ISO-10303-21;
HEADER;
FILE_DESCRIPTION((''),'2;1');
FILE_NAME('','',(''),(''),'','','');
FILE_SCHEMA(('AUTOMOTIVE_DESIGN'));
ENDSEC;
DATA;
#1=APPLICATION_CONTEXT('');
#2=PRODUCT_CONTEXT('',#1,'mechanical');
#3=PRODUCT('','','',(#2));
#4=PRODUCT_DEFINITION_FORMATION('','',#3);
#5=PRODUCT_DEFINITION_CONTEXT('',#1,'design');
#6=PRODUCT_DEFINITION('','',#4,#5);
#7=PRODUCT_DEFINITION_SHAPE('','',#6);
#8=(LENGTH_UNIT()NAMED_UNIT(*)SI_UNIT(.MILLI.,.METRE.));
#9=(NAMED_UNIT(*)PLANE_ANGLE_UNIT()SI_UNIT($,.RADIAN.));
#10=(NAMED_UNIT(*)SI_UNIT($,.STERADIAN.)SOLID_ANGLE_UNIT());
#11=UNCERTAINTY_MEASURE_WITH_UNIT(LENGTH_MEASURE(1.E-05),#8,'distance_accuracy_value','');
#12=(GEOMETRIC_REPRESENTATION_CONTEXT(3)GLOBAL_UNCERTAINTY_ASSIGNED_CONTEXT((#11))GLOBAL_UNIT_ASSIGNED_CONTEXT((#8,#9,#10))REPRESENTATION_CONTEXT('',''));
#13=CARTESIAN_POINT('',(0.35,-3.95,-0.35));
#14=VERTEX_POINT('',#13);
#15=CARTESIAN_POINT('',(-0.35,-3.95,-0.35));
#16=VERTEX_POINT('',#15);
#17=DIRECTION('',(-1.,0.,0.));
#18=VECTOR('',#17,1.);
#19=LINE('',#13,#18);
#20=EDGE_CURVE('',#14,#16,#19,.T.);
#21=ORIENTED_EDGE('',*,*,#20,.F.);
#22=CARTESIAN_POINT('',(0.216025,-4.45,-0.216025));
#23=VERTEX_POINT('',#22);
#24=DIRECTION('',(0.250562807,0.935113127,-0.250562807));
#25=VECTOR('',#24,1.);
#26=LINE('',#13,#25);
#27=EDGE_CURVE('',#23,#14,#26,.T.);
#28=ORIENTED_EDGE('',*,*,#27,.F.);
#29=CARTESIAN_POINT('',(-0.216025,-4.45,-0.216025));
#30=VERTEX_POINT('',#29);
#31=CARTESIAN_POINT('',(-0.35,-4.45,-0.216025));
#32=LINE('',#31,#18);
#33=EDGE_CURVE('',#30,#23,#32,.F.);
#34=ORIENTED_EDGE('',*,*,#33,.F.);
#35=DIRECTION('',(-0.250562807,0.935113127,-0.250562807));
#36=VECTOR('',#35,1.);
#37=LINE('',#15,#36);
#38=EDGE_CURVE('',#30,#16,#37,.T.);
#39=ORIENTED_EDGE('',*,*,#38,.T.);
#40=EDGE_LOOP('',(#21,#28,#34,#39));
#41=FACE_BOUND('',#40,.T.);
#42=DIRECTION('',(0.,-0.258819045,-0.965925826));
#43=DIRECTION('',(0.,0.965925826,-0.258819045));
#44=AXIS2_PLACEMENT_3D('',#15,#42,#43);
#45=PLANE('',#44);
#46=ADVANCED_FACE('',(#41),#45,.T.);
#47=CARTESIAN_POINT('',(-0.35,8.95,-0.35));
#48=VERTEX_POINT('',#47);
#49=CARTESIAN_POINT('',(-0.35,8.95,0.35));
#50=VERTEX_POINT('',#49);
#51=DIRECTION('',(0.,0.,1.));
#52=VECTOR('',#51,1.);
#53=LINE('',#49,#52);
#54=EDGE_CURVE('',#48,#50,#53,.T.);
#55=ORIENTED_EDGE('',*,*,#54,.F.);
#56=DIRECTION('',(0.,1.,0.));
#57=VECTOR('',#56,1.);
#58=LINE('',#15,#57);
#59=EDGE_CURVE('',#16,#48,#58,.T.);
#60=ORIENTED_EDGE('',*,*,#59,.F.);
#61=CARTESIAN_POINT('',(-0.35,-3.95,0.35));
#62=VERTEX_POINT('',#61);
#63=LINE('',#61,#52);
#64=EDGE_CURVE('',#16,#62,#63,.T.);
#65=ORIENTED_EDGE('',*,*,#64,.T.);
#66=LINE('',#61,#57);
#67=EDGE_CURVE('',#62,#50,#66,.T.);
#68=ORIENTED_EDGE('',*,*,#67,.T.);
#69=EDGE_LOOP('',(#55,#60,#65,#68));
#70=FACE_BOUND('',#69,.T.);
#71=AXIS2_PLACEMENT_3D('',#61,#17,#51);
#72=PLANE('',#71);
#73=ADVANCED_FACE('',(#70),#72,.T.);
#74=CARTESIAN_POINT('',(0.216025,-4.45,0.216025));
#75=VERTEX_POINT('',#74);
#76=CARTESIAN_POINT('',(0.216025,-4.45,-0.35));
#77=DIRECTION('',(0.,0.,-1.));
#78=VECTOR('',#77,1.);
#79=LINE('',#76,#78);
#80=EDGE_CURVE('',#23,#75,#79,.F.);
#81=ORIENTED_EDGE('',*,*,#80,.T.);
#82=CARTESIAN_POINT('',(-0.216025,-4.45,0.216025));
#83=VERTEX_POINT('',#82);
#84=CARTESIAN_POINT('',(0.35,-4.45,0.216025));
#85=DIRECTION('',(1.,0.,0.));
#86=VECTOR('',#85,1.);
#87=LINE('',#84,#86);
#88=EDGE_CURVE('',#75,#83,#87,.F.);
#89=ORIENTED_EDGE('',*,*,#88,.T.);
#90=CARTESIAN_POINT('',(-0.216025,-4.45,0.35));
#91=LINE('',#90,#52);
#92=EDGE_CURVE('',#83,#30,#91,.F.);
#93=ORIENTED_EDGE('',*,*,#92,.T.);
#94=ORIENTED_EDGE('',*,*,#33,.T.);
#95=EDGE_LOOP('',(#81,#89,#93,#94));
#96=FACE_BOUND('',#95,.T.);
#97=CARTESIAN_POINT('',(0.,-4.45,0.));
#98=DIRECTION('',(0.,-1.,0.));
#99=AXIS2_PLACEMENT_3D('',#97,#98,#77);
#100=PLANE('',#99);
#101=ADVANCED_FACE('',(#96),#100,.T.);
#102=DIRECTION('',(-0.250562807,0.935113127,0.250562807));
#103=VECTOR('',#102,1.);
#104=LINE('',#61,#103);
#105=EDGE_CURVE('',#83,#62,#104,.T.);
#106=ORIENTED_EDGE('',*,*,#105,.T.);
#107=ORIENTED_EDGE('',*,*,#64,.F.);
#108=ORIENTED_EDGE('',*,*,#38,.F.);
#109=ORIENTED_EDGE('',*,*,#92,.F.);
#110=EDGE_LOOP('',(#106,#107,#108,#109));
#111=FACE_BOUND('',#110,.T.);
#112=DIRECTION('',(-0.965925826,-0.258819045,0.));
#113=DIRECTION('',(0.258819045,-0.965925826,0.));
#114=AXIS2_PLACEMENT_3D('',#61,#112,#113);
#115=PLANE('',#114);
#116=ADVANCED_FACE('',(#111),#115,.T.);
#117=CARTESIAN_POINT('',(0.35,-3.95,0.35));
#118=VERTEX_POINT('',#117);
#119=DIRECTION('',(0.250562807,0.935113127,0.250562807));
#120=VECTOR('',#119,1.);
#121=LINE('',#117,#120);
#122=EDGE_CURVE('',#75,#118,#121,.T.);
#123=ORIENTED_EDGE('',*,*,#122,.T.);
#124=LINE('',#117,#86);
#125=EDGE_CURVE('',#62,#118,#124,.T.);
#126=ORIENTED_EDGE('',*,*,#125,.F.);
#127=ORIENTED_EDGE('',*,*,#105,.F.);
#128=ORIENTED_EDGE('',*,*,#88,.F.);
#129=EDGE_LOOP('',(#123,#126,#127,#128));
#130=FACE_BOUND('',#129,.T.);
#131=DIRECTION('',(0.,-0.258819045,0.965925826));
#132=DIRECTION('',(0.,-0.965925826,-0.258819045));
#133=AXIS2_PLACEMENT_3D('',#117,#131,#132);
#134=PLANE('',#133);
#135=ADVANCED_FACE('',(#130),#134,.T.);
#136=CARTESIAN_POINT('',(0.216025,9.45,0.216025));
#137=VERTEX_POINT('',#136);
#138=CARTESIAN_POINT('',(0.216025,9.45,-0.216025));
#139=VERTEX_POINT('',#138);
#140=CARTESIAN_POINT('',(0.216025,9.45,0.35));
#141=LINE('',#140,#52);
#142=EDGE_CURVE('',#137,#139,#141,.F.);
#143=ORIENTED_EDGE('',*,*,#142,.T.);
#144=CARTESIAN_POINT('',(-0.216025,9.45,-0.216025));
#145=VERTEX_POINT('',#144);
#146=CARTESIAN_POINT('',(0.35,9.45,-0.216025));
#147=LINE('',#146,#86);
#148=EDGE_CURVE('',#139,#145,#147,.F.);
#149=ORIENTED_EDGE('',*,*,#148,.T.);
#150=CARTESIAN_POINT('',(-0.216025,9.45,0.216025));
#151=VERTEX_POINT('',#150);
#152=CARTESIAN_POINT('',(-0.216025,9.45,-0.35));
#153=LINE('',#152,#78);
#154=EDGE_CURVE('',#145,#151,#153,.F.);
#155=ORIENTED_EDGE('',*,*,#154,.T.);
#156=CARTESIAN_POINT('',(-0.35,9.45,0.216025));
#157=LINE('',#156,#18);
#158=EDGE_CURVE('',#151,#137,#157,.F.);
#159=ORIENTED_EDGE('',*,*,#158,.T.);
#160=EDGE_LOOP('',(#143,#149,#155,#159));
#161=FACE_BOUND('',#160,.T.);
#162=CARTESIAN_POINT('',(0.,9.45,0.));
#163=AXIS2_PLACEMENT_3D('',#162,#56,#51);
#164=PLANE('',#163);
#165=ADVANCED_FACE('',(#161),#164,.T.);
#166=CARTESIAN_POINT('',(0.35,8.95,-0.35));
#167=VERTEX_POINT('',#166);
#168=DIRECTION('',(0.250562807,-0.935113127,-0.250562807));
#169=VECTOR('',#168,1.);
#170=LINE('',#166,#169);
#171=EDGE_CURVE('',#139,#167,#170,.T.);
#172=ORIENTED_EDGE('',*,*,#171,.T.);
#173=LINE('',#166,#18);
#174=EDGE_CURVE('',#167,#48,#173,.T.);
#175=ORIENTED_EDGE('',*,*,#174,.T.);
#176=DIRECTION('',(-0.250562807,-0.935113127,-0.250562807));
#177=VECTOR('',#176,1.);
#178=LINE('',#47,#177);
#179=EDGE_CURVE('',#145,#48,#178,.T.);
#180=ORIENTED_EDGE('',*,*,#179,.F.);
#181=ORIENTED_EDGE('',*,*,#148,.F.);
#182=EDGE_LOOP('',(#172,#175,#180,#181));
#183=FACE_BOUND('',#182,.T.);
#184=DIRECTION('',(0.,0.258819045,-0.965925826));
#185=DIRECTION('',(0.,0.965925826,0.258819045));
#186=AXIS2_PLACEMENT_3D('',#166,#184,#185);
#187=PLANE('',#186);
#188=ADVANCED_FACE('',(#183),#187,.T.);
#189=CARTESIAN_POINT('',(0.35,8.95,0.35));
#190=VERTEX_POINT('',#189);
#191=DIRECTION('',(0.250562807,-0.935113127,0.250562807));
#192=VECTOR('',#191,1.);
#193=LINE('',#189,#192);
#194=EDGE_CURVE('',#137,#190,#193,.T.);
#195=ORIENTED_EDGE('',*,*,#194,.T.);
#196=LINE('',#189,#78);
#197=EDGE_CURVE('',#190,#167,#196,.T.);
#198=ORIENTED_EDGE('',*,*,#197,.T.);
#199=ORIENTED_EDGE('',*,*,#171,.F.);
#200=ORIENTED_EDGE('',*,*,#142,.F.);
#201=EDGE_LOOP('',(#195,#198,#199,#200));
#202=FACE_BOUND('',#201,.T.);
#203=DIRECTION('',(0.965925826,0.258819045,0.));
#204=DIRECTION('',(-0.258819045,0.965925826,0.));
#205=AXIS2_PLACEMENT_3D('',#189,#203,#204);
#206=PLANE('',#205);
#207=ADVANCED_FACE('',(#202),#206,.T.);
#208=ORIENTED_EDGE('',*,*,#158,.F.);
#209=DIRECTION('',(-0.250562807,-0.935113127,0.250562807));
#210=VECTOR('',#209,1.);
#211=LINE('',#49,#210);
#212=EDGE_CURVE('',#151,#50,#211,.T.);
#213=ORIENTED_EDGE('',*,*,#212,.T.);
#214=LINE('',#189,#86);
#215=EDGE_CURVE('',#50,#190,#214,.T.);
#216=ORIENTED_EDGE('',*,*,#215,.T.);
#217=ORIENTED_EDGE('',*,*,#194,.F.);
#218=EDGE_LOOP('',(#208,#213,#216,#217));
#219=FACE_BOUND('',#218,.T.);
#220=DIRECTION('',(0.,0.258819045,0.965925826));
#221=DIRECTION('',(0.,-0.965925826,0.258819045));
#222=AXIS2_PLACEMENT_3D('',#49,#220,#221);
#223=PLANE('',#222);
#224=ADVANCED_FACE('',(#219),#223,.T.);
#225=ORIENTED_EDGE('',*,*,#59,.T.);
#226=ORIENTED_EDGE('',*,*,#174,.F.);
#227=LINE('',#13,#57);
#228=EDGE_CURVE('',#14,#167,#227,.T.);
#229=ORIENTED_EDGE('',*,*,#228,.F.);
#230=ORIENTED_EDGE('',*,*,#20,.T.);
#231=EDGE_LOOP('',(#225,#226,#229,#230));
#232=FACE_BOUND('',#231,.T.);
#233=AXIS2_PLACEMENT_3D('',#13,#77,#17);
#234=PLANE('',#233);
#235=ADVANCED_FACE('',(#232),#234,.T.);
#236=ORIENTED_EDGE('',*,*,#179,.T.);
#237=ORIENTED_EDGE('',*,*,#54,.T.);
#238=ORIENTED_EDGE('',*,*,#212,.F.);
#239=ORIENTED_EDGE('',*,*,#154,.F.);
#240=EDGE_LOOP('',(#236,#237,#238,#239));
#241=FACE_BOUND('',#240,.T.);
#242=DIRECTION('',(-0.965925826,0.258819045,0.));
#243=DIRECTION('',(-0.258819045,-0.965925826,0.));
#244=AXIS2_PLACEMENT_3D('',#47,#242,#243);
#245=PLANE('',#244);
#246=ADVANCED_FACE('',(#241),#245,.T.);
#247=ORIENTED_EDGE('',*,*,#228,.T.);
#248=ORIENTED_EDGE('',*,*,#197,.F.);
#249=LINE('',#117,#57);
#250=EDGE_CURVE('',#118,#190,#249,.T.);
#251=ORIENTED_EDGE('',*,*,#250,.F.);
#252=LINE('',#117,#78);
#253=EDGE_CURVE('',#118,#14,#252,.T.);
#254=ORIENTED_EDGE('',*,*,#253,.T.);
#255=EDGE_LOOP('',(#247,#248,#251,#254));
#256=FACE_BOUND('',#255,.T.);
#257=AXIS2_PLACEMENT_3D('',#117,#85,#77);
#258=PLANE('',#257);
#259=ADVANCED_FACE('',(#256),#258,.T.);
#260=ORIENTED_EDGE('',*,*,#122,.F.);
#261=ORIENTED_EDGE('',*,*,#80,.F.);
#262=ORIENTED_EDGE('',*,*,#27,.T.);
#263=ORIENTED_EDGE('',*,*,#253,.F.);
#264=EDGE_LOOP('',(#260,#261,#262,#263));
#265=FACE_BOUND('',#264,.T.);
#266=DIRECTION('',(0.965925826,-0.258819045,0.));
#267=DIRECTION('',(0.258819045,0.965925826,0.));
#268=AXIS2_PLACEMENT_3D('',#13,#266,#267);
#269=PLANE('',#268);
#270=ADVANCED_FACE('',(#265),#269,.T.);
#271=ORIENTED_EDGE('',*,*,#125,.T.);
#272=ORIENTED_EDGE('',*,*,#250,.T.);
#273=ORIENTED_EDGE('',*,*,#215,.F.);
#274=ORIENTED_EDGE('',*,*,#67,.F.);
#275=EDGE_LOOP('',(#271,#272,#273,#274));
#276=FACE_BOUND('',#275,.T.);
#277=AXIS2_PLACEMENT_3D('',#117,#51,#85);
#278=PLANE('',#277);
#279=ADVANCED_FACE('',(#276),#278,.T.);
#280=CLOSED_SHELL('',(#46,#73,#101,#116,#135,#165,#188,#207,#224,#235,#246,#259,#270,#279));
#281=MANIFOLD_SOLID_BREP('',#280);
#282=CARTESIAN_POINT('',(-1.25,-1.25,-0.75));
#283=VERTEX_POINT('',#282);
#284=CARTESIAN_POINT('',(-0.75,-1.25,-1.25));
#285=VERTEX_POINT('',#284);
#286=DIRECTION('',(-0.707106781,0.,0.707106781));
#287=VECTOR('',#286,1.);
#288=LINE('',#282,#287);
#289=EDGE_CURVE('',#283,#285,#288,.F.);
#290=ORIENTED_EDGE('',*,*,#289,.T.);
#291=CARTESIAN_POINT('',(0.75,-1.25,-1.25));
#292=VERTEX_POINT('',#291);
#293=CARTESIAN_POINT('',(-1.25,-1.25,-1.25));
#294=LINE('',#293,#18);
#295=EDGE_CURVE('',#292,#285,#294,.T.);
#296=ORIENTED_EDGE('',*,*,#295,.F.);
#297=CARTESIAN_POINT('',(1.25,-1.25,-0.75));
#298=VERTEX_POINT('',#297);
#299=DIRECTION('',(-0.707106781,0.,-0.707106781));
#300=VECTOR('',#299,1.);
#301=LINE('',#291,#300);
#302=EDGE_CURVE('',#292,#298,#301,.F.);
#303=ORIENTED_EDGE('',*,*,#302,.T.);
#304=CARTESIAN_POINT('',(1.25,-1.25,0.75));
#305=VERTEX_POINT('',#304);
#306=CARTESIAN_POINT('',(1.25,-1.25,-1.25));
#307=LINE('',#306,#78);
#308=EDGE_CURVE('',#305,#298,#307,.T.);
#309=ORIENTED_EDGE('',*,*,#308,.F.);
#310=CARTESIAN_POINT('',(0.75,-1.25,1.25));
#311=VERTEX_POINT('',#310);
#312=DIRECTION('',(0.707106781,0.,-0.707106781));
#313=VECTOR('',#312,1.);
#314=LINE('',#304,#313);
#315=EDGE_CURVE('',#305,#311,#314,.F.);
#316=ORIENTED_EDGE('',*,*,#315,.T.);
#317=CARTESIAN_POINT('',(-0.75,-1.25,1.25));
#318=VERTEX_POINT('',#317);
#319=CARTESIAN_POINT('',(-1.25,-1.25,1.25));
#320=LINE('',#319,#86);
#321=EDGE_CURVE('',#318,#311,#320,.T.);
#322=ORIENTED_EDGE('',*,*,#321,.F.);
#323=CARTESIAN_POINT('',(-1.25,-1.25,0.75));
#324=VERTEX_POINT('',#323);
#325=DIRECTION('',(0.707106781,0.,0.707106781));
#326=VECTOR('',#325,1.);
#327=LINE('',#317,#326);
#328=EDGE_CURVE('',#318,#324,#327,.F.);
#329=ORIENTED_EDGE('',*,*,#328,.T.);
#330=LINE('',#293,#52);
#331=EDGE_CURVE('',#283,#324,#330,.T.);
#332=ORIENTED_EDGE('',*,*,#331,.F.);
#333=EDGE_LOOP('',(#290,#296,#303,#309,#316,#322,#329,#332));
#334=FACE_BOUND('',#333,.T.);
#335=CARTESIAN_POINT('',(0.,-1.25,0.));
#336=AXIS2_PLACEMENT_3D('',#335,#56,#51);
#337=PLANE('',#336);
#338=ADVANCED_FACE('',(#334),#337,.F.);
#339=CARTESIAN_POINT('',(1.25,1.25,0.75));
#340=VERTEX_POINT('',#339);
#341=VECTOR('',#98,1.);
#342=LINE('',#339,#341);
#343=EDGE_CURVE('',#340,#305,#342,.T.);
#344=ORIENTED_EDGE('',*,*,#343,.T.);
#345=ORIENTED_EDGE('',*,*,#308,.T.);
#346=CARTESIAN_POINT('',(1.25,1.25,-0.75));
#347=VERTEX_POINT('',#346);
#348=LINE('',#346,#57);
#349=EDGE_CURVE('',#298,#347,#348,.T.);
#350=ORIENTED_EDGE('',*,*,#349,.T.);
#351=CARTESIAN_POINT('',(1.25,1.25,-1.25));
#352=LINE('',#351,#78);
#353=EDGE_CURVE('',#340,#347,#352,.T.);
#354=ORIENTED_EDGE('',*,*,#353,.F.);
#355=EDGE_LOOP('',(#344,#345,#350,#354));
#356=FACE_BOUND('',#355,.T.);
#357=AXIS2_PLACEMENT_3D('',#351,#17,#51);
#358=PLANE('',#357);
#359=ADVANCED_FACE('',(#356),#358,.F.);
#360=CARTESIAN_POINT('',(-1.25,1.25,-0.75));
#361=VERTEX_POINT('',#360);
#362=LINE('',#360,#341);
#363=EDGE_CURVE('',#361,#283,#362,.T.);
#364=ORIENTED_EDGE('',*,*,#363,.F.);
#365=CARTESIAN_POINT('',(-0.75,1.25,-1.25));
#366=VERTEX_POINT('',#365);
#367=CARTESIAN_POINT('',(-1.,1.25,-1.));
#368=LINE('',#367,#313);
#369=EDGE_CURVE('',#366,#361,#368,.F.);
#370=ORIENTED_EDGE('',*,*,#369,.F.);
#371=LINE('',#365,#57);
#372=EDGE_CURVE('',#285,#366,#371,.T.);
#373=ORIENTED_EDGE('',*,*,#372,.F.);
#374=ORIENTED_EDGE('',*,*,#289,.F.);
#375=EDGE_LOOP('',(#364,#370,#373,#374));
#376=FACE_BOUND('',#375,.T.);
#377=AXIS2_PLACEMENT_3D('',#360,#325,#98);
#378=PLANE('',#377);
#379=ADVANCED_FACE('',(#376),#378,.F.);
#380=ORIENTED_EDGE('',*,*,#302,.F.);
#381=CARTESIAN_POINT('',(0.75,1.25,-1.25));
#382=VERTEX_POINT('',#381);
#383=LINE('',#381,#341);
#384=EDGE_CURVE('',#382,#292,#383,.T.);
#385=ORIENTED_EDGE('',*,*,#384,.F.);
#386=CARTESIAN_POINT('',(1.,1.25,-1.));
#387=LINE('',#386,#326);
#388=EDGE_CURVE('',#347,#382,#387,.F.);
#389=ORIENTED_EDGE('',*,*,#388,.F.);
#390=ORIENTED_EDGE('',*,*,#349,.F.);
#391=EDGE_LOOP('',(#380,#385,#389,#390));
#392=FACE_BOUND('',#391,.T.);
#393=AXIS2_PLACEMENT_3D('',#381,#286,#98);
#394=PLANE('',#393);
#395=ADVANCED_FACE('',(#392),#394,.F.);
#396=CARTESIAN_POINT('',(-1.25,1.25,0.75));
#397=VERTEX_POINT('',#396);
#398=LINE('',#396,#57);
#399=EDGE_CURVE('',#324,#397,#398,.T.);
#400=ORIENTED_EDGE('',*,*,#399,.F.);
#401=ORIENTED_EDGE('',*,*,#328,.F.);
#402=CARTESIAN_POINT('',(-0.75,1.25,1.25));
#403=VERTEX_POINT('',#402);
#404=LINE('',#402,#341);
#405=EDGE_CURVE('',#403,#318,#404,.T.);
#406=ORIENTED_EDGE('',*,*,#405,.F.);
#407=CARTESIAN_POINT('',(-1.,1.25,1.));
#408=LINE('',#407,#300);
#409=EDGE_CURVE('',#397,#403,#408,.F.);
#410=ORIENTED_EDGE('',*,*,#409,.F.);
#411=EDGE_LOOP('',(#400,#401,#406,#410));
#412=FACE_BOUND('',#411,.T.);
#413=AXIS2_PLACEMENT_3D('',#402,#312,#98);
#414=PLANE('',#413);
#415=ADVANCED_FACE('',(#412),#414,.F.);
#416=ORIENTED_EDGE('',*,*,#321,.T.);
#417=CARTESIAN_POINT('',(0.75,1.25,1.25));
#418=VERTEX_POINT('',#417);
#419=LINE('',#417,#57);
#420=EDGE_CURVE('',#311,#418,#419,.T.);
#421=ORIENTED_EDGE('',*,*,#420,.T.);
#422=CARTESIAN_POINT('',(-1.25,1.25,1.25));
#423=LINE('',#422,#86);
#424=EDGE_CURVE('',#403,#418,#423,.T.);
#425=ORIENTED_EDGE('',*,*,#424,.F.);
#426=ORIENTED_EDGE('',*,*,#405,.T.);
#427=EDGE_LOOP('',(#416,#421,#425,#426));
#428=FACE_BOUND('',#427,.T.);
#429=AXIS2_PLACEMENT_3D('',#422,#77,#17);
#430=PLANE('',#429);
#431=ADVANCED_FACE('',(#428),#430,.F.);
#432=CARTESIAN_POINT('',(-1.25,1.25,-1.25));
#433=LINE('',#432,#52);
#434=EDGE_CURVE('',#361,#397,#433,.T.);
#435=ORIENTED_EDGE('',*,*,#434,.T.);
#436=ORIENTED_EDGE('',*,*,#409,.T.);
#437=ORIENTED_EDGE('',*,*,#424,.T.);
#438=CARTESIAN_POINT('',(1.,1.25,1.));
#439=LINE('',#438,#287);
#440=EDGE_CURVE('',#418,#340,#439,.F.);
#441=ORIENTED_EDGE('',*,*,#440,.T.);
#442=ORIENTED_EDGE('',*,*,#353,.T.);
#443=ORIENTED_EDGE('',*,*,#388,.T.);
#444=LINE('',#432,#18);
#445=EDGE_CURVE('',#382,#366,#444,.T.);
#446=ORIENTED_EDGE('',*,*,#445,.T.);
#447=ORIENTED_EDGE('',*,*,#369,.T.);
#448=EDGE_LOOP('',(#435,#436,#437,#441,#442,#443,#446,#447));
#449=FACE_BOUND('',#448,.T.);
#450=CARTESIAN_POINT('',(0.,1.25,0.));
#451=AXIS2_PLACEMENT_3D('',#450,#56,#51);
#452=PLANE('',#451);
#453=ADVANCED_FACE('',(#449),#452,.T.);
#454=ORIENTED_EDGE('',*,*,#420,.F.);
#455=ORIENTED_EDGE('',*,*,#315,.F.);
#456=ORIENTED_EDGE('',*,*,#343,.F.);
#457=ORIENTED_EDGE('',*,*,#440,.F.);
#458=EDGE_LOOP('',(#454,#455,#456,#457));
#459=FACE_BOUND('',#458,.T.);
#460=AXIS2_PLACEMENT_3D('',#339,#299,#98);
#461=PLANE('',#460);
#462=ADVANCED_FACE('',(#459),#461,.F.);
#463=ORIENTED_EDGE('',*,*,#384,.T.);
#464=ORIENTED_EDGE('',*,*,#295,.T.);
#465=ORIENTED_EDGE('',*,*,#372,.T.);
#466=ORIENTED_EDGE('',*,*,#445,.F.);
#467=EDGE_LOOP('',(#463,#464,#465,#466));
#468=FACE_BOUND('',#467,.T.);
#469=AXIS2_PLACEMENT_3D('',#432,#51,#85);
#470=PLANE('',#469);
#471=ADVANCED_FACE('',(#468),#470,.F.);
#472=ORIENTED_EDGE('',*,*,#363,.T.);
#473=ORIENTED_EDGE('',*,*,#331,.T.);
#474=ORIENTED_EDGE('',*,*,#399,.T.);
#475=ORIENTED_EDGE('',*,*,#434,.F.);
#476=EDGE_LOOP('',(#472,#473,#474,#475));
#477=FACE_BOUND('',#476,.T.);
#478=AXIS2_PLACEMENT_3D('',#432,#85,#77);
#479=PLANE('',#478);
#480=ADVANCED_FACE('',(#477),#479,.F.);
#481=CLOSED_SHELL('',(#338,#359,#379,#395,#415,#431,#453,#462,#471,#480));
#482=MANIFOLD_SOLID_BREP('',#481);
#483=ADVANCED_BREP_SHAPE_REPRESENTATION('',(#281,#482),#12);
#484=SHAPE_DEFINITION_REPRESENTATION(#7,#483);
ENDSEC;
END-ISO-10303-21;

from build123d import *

# Parameters (mm, degrees)
SKETCH3_W                = 2.5
SKETCH3_H                = 2.5
BOSS_EXTRUDE1_DEPTH      = 1.25
CHAMFER1_SIZE            = 0.5
BOSS_EXTRUDE2_DEPTH      = 7.7
BOSS_EXTRUDE2_DEPTH_BACK = 5.2
SKETCH5_W                = 0.7
SKETCH5_H                = 0.7
SKETCH6_W                = 0.7
SKETCH6_H                = 0.7
BOSS_EXTRUDE3_DEPTH      = 0.5
BOSS_EXTRUDE3_TAPER      = 15
SKETCH7_W                = 0.7
SKETCH7_H                = 0.7
BOSS_EXTRUDE4_DEPTH      = 0.5
BOSS_EXTRUDE4_TAPER      = 15


with BuildPart() as part:
    # Sketch3 → Boss-Extrude1 (new, symmetric)
    with BuildSketch(Plane(origin=(0, 0, 0), x_dir=(1, 0, 0), z_dir=(0, 1, 0))):
        Rectangle(SKETCH3_W, SKETCH3_H)
    extrude(amount=BOSS_EXTRUDE1_DEPTH, both=True)

    # Chamfer1
    chamfer1_edges = [part.edges().sort_by_distance(p)[0] for p in [
        (1.25, 0, 1.25),
        (-1.25, 0, 1.25),
        (-1.25, 0, -1.25),
        (1.25, 0, -1.25),
    ]]
    chamfer(chamfer1_edges, length=CHAMFER1_SIZE)


with BuildPart() as body_2:
    # Sketch5 → Boss-Extrude2 (new, two sides: drawn at the far end of the back side and taken through both)
    with BuildSketch(Plane(origin=(0, 1.25, 0), x_dir=(1, 0, 0), z_dir=(0, 1, 0)).offset(-BOSS_EXTRUDE2_DEPTH_BACK)):
        Rectangle(SKETCH5_W, SKETCH5_H)
    extrude(amount=BOSS_EXTRUDE2_DEPTH + BOSS_EXTRUDE2_DEPTH_BACK)

    # Sketch6 → Boss-Extrude3 (add)
    with BuildSketch(Plane(origin=(0, 8.95, 0), x_dir=(1, 0, 0), z_dir=(0, 1, 0))):
        Rectangle(SKETCH6_W, SKETCH6_H)
    extrude(amount=BOSS_EXTRUDE3_DEPTH, taper=BOSS_EXTRUDE3_TAPER)

    # Sketch7 → Boss-Extrude4 (add)
    with BuildSketch(Plane.XZ.offset(3.95)):
        Rectangle(SKETCH7_W, SKETCH7_H)
    extrude(amount=BOSS_EXTRUDE4_DEPTH, taper=BOSS_EXTRUDE4_TAPER)


solid = Compound([part.part, body_2.part])
